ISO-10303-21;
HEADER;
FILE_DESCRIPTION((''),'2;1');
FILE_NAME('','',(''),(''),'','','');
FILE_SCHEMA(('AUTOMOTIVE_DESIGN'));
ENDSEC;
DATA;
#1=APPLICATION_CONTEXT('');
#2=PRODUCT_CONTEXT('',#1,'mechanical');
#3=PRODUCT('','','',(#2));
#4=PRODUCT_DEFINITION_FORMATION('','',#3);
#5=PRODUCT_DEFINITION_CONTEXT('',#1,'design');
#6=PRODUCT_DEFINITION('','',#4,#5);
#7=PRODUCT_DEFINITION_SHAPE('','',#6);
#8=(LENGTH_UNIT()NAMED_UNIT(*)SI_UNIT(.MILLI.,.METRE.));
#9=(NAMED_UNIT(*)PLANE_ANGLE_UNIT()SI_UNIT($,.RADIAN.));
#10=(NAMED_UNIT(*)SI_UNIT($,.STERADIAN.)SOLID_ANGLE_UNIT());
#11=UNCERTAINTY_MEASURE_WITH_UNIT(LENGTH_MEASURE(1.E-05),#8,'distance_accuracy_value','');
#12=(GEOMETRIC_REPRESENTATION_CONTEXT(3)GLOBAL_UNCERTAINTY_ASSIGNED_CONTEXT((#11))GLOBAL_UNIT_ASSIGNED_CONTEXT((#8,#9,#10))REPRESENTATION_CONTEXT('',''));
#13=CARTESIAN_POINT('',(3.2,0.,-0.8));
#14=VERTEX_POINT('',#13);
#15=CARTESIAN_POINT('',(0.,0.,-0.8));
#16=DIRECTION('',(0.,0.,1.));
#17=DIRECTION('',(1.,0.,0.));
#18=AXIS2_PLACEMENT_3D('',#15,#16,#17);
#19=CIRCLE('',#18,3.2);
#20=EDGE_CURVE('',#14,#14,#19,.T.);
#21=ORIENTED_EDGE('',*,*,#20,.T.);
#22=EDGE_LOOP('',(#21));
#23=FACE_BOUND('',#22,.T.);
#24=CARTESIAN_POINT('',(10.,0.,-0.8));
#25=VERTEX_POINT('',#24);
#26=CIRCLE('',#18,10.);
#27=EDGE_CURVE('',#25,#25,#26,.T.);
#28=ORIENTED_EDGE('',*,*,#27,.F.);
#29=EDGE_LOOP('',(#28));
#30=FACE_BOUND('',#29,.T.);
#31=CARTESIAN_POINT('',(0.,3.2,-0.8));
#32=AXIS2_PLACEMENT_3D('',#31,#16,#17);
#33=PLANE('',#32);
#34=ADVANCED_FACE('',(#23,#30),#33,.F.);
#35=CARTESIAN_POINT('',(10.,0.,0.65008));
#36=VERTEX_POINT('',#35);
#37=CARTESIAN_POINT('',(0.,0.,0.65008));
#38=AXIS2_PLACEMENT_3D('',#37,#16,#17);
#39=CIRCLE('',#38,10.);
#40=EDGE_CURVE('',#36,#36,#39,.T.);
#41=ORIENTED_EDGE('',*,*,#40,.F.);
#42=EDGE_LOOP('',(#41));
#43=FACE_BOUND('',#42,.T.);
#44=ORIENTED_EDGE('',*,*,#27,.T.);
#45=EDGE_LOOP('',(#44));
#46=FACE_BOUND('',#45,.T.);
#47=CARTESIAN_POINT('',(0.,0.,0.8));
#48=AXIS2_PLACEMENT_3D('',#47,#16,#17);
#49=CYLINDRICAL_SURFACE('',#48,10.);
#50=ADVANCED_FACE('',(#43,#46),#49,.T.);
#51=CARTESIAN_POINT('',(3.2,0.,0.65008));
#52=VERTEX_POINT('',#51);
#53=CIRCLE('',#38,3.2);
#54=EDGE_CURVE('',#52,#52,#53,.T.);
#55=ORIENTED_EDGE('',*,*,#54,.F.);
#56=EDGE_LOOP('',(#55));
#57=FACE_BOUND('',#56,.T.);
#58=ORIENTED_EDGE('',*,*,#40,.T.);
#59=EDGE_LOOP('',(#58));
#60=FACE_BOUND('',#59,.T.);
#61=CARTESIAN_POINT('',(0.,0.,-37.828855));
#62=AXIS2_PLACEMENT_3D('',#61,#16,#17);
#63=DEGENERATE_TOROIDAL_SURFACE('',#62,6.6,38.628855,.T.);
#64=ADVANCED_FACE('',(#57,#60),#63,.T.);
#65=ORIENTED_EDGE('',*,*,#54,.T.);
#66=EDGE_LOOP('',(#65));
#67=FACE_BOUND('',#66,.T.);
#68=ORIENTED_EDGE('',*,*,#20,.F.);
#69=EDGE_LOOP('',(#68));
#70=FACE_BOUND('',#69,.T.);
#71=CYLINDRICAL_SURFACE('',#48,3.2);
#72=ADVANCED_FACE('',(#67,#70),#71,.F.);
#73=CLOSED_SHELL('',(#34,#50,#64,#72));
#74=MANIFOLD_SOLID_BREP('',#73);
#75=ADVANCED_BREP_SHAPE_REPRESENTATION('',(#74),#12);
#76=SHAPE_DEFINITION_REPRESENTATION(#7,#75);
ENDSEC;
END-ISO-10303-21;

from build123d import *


with BuildPart() as part:
    # Sketch3 → Revolve1 (revolve)
    with BuildSketch(Plane(origin=(0, 0, 0), x_dir=(0, 0, -1), z_dir=(1, 0, 0)), mode=Mode.PRIVATE) as revolve1_sk:
        with BuildLine():
            Line((0.8, 10), (-0.65008, 10))
            ThreePointArc((-0.65008, 10), (-0.8, 6.6), (-0.65008, 3.2))
            Line((-0.65008, 3.2), (0.8, 3.2))
            Line((0.8, 3.2), (0.8, 10))
        make_face()
    revolve(revolve1_sk.sketch.rotate(Axis((0, 0, 0.8), (0, 0, -1)), 90), axis=Axis((0, 0, 0.8), (0, 0, -1)))


solid = part.part
